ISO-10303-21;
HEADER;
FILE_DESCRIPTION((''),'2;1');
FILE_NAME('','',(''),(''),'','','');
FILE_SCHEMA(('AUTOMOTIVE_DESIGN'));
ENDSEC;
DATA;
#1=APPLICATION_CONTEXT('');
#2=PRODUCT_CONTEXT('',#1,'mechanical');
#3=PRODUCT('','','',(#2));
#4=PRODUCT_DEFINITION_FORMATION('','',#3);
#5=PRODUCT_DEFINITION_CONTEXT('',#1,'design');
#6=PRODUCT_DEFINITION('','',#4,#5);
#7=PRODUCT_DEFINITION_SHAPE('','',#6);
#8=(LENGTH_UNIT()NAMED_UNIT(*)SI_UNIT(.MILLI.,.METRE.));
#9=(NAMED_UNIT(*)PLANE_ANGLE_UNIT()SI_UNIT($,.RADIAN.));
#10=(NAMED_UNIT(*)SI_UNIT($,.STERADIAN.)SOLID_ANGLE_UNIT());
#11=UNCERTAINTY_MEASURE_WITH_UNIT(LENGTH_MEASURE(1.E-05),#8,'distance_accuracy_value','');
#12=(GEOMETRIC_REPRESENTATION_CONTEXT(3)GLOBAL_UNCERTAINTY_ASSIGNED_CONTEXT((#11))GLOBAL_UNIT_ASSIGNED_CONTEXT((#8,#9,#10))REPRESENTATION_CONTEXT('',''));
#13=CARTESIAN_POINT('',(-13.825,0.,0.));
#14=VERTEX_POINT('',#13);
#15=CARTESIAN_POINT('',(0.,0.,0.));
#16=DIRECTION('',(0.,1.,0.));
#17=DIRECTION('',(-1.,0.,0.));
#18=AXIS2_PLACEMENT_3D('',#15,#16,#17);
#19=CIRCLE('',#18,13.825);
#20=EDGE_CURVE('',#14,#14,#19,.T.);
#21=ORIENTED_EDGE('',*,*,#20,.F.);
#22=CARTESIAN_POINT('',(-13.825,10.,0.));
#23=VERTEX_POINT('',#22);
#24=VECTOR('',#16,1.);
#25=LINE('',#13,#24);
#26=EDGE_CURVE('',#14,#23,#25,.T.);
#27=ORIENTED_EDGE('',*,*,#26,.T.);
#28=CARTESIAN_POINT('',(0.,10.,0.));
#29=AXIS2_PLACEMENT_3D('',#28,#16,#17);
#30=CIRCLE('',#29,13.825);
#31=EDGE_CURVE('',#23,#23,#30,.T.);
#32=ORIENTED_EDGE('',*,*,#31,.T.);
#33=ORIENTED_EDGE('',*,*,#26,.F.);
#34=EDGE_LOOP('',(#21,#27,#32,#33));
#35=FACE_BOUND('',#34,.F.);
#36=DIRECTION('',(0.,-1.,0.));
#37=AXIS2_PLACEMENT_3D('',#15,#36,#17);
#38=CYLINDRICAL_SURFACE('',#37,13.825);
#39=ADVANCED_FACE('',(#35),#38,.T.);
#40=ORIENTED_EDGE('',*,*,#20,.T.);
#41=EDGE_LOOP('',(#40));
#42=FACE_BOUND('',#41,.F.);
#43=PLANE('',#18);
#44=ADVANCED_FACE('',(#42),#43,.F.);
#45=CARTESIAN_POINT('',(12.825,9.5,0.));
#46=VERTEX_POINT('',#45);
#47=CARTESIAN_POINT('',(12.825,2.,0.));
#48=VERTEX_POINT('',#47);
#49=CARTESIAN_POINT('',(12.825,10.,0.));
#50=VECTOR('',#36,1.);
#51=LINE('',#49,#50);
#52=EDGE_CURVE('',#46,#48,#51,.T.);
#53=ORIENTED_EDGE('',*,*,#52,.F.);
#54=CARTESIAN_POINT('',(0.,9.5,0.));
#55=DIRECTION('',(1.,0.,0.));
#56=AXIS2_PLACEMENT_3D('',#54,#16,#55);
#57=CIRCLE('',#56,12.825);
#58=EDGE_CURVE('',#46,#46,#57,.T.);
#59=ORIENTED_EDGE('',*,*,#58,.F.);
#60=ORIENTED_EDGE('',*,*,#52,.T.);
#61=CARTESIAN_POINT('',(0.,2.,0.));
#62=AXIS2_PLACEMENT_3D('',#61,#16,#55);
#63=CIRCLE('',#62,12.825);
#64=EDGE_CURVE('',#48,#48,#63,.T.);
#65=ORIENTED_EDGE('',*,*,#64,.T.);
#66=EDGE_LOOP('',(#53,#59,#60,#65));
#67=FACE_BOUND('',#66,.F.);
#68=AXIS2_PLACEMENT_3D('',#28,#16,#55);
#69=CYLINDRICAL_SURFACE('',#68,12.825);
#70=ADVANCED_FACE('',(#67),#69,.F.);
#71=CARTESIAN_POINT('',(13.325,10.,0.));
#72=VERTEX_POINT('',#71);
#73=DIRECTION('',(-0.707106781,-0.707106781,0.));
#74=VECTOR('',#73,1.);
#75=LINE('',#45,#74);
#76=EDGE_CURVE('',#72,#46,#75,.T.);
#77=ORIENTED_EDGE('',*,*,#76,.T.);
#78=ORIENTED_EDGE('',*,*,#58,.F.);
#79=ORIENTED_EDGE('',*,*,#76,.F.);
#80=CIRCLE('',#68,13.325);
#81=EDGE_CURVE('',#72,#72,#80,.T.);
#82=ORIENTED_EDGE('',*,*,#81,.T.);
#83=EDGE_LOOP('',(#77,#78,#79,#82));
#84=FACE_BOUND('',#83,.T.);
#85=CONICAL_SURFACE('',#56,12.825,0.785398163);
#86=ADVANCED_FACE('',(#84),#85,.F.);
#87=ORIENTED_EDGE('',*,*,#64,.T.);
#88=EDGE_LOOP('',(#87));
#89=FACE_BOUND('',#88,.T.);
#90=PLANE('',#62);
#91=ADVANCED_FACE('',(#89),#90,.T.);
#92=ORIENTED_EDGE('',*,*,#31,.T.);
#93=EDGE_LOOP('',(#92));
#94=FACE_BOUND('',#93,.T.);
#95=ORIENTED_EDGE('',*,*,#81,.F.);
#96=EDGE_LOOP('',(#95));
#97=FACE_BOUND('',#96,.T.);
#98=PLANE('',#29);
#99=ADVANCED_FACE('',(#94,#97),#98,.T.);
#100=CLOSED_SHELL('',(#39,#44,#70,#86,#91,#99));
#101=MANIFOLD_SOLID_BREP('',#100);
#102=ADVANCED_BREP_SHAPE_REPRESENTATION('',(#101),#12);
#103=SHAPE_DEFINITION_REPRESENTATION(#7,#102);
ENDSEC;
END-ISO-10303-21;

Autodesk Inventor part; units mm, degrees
ref_plane "YZ Plane" through (0, 0, 0) normal (1, 0, 0) x (0, 1, 0)
ref_plane "XZ Plane" through (0, 0, 0) normal (0, 1, 0) x (-1, 0, 0)
ref_plane "XY Plane" through (0, 0, 0) normal (0, 0, 1) x (1, 0, 0)
sketch "Sketch1" plane through (0, 0, 0) normal (0, 1, 0) x (-1, 0, 0)
  circle A0 centre (0, 0) radius 12.825
  circle A1 centre (0, 0) radius 13.825
  dimension "d0" = 25.65
  dimension "d1" = 27.65
extrude "Extrusion1" add sketch "Sketch1" along normal blind 10 contours A0 | A1
sketch "Sketch3" plane through (0, 10, 0) normal (0, 1, 0) x (1, 0, 0)
  circle A0 centre (0, 0) radius 12.825
  circle A1 centre (0, 0) radius 13.825
  dimension "d11" = 25.65
  dimension "d12" = 27.65
extrude "Extrusion3" cut sketch "Sketch3" against normal blind 8 contours A0
chamfer "Chamfer2" distance 0.5 angle 45 1 edges at (-12.825, 10, 0)
properties part number "TubeCap"
